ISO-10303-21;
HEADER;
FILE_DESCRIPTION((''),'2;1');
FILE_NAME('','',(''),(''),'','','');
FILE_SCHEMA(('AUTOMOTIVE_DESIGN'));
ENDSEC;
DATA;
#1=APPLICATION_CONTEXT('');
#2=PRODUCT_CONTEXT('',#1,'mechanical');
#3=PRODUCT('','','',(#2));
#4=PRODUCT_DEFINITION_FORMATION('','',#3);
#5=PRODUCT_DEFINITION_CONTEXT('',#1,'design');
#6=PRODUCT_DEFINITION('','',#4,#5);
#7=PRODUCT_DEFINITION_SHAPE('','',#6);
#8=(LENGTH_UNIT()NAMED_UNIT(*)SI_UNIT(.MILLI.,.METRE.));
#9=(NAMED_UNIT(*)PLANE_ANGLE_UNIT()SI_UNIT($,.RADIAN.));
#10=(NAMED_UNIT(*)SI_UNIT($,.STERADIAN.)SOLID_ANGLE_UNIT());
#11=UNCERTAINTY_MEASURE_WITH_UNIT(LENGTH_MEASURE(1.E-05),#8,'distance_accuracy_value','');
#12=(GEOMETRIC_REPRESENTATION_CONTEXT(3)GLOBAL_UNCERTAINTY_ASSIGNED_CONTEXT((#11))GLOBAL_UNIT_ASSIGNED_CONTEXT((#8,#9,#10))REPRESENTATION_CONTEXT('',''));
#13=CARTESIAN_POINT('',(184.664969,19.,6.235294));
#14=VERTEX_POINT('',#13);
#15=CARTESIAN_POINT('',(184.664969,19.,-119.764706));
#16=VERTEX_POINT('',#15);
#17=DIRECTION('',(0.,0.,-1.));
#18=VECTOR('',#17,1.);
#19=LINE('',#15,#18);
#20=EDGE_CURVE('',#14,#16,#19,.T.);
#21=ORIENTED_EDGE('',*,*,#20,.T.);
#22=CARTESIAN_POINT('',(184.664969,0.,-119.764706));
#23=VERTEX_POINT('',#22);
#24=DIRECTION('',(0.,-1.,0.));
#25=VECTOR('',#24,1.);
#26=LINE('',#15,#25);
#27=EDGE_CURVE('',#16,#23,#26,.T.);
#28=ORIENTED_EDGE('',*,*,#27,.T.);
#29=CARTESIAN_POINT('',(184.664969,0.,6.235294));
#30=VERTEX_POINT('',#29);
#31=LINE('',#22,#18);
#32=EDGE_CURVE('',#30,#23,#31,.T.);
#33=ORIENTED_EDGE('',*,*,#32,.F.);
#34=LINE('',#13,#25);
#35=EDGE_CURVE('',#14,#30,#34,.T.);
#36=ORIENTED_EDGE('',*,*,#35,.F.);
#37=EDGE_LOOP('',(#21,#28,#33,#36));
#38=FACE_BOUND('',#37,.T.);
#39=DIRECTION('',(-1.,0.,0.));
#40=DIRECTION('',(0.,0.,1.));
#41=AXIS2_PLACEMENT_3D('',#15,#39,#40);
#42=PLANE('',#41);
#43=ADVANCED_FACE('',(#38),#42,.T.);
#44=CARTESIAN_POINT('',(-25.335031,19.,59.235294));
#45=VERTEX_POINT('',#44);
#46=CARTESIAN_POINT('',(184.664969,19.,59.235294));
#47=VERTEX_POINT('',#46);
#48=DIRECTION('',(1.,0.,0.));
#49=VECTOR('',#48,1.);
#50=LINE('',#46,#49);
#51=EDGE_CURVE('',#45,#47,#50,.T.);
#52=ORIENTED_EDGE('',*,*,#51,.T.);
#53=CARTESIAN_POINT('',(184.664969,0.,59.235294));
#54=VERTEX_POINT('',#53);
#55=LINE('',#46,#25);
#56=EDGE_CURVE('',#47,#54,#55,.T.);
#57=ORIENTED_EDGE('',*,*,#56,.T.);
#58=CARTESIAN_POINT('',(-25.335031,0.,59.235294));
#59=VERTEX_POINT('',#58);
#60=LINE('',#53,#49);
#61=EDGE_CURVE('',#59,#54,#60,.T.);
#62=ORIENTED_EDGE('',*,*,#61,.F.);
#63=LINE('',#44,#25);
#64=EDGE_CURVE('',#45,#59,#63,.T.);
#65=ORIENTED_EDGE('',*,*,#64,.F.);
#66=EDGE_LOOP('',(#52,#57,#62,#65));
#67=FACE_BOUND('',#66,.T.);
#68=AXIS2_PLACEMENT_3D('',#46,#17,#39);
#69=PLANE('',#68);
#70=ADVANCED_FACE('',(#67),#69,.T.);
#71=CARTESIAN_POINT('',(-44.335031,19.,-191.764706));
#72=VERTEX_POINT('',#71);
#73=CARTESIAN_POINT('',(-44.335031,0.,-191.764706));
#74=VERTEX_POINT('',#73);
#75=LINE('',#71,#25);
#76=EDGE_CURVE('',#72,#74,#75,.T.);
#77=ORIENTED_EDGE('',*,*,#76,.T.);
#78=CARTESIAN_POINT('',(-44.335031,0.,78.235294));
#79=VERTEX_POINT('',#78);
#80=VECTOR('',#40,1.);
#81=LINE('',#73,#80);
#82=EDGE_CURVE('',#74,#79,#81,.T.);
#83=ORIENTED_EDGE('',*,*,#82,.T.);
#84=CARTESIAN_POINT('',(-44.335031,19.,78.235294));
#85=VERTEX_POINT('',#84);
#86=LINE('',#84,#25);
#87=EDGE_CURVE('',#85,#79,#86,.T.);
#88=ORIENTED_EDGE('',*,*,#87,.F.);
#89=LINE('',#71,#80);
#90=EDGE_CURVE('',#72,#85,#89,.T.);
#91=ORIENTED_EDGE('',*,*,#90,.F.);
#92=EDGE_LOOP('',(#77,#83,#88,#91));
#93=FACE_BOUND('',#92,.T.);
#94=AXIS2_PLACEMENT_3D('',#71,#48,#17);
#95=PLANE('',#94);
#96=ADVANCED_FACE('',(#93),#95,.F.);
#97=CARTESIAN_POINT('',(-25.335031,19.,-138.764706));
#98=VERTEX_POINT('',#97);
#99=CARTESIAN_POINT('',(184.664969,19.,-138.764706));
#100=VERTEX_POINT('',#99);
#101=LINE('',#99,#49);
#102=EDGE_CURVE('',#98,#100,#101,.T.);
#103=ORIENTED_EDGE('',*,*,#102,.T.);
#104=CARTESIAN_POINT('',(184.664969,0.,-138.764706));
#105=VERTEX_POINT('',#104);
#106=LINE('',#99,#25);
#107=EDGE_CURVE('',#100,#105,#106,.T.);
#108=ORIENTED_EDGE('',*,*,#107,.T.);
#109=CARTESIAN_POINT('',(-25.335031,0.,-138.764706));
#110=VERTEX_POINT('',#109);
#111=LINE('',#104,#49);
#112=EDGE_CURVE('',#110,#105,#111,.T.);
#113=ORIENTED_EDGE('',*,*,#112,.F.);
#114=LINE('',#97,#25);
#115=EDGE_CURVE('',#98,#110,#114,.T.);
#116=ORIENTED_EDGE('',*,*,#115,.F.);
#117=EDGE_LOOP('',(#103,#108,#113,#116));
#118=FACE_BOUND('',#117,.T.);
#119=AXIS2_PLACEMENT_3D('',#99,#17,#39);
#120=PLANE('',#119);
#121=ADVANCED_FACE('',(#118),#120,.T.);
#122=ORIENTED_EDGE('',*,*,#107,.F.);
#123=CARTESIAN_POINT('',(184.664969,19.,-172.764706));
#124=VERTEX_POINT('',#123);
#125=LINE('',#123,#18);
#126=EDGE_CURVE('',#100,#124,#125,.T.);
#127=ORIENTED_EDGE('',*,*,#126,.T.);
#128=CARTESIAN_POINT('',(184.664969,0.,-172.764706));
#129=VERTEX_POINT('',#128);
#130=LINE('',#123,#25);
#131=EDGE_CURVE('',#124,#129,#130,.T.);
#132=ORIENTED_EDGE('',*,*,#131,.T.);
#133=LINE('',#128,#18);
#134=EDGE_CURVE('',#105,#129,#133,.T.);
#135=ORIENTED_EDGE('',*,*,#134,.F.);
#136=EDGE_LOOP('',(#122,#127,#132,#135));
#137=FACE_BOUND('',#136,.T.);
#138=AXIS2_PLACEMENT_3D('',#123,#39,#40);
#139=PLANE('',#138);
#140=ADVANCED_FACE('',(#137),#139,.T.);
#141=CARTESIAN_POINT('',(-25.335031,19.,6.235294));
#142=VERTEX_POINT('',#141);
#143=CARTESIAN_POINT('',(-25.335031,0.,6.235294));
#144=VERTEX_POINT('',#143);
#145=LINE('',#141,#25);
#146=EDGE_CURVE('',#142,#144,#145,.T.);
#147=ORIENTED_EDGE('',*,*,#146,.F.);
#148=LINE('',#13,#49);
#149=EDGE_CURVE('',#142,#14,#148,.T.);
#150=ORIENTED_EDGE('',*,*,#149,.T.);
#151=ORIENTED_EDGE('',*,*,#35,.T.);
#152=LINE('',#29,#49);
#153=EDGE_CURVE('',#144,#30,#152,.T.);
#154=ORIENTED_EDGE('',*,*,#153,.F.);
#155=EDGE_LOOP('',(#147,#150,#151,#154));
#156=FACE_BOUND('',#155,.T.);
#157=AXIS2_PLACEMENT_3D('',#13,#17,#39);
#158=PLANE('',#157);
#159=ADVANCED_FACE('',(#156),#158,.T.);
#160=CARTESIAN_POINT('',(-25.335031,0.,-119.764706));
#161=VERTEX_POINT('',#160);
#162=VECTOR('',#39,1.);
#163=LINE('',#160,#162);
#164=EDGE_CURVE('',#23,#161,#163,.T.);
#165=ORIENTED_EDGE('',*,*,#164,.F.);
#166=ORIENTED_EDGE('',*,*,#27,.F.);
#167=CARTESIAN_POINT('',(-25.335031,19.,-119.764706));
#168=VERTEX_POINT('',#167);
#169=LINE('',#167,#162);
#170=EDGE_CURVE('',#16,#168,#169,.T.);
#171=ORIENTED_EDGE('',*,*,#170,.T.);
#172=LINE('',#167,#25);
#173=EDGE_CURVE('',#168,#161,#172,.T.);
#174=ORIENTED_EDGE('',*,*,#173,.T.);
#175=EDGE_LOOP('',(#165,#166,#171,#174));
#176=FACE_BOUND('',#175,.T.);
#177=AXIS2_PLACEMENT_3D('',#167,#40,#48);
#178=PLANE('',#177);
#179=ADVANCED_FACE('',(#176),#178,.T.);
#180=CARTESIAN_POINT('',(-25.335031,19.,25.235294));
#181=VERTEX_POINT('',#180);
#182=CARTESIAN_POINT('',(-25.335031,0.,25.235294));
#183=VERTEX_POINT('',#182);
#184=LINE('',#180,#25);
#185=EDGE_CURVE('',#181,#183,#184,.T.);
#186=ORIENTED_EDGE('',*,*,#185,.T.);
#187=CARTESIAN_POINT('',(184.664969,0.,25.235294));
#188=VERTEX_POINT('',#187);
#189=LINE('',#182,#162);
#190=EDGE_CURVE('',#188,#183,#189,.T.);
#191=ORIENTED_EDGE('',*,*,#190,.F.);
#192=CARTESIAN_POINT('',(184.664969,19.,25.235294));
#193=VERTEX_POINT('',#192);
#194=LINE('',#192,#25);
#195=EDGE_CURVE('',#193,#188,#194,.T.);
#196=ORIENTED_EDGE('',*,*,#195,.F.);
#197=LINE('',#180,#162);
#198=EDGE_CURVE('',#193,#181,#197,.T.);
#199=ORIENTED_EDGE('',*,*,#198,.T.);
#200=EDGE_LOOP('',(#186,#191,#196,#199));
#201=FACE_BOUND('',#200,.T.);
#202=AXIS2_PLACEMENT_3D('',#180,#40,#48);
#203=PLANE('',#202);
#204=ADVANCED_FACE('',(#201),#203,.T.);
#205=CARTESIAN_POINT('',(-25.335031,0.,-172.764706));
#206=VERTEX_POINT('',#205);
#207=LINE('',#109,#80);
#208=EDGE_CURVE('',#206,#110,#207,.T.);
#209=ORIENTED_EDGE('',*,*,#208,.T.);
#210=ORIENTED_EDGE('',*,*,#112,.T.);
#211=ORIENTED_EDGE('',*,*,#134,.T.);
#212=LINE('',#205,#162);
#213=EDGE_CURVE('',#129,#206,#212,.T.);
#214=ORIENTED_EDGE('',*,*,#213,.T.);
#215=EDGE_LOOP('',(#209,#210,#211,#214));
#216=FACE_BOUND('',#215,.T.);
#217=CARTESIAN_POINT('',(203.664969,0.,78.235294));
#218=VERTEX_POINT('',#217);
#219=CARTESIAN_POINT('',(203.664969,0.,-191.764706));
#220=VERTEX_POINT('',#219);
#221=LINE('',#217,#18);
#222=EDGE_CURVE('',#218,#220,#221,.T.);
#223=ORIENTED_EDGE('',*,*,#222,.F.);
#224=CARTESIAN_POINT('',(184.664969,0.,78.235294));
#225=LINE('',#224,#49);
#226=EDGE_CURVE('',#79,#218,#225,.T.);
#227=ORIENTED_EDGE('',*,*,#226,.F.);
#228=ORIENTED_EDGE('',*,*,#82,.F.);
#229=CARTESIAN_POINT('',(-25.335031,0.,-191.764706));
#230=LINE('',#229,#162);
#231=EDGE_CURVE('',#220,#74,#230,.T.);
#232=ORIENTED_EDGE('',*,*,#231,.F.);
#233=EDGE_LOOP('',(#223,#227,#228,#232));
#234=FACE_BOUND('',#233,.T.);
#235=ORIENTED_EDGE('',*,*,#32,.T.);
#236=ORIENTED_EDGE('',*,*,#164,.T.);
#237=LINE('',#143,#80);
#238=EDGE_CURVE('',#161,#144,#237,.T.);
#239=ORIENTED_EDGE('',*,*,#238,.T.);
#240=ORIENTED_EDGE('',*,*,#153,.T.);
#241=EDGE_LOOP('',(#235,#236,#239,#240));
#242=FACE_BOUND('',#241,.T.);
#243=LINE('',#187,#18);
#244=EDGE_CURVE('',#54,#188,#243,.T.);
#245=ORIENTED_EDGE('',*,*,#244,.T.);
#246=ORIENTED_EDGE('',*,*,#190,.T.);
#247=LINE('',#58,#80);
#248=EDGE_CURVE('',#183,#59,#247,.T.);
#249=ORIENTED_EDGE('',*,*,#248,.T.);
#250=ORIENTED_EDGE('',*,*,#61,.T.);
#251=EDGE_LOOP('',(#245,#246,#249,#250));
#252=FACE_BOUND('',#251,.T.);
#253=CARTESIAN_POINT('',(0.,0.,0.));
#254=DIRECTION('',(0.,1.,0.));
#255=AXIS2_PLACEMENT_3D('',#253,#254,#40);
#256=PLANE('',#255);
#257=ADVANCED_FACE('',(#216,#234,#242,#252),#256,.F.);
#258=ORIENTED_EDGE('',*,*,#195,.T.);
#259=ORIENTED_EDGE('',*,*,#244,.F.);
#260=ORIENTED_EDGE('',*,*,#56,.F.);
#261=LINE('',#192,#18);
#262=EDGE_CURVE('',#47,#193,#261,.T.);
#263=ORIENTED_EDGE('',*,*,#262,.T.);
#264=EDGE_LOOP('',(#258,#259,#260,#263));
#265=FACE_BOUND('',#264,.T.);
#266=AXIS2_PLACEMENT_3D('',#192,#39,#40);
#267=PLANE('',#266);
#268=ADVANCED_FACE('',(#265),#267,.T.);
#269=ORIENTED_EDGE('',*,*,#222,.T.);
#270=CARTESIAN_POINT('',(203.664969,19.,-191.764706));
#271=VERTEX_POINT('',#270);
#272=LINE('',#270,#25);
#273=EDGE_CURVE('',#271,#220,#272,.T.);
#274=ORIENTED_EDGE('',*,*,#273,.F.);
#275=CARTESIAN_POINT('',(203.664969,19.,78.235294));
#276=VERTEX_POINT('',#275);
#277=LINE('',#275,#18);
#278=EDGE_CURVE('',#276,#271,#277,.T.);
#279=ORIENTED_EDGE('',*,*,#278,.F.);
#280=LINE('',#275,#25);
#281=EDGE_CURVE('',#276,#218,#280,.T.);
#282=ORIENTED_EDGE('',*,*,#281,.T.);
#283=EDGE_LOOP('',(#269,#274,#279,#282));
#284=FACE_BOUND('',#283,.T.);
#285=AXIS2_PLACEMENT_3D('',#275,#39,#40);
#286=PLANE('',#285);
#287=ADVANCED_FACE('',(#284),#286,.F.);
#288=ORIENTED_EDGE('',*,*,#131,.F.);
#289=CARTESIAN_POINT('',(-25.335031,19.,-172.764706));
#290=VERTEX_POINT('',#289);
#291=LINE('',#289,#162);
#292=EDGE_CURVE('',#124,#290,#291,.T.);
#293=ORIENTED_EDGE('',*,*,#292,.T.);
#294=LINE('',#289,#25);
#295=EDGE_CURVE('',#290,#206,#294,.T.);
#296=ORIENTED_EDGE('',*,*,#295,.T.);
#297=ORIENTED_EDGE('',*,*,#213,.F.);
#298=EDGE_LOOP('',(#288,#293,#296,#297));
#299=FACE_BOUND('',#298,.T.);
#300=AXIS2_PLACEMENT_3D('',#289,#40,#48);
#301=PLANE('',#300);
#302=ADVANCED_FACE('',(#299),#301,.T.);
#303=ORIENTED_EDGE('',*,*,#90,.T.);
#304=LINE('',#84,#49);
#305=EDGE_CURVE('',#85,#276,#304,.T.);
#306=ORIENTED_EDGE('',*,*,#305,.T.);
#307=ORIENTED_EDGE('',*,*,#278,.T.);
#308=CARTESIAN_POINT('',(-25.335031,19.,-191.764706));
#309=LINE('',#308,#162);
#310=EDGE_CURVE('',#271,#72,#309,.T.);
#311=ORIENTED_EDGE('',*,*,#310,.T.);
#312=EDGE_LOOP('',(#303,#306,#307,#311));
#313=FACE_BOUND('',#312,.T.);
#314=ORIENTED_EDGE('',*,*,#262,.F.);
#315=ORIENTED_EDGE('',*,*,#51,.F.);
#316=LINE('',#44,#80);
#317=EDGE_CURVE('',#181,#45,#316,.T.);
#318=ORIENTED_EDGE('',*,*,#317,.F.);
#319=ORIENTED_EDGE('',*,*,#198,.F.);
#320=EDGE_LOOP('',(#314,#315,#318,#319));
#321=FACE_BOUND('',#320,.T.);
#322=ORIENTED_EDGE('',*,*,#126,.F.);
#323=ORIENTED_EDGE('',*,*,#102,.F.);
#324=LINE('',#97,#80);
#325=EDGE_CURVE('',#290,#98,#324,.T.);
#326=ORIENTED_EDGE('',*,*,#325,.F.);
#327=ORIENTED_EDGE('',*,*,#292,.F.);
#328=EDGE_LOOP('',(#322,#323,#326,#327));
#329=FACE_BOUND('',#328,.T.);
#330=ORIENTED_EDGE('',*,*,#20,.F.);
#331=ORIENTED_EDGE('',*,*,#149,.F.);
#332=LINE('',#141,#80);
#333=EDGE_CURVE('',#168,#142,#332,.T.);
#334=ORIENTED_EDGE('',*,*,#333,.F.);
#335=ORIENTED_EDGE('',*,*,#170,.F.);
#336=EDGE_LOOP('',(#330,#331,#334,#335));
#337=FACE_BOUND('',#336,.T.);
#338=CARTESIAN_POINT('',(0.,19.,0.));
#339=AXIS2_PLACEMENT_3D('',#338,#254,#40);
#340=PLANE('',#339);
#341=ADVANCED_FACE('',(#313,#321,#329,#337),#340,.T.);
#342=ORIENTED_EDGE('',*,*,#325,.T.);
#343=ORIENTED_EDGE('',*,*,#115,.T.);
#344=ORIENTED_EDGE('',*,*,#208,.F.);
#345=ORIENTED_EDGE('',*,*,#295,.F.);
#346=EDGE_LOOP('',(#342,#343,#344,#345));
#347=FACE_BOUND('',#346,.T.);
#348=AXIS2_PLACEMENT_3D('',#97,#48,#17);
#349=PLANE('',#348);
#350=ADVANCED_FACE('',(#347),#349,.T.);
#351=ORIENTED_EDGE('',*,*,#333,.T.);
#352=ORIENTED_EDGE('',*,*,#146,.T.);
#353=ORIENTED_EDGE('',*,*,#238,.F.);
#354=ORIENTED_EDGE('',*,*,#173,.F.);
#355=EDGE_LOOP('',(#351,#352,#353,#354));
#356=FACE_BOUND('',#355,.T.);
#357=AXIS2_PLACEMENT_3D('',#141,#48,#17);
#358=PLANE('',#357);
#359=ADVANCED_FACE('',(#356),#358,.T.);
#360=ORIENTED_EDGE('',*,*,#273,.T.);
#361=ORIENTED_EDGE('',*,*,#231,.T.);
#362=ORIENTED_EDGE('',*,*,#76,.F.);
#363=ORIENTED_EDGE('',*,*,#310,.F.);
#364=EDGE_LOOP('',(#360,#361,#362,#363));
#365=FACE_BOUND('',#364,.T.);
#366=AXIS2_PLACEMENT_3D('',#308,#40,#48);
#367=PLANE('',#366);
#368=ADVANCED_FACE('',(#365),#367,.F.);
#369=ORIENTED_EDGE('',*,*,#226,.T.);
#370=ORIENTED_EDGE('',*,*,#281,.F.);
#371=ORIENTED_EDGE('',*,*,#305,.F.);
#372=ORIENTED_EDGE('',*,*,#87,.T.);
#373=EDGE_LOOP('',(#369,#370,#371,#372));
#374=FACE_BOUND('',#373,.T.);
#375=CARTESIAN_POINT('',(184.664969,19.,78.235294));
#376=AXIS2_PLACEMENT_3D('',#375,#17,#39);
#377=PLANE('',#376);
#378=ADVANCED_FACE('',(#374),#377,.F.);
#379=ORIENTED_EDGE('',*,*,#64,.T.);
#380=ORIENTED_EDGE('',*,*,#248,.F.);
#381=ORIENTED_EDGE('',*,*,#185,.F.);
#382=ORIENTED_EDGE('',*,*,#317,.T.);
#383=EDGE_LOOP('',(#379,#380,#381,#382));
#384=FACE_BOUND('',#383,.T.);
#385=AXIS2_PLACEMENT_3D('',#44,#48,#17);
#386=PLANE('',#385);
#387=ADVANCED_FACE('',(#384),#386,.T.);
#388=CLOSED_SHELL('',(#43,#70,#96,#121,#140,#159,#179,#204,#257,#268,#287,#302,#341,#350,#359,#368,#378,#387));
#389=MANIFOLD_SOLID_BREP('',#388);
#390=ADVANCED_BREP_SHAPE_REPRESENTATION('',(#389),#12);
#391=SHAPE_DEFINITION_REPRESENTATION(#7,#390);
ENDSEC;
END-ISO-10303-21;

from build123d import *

# Parameters (mm, degrees)
SKETCH1_W           = 210
SKETCH1_H           = 34
SKETCH1_H_2         = 126
BOSS_EXTRUDE1_DEPTH = 19


with BuildPart() as part:
    # Sketch1 → Boss-Extrude1 (new body)
    with BuildSketch(Plane(origin=(0, 0, 0), x_dir=(1, 0, 0), z_dir=(0, 1, 0))):
        Polygon((-44.335030595, 191.764705882), (-44.335030595, -78.235294118), (-25.335030595, -78.235294118), (184.664969405, -78.235294118), (203.664969405, -78.235294118), (203.664969405, 191.764705882), (184.664969405, 191.764705882), (-25.335030595, 191.764705882), align=None)
        with Locations((79.664969405, -42.235294118)):
            Rectangle(SKETCH1_W, SKETCH1_H, mode=Mode.SUBTRACT)
        with Locations((79.664969405, 155.764705882)):
            Rectangle(SKETCH1_W, SKETCH1_H, mode=Mode.SUBTRACT)
        with Locations((79.664969405, 56.764705882)):
            Rectangle(SKETCH1_W, SKETCH1_H_2, mode=Mode.SUBTRACT)
    extrude(amount=BOSS_EXTRUDE1_DEPTH)


solid = part.part
